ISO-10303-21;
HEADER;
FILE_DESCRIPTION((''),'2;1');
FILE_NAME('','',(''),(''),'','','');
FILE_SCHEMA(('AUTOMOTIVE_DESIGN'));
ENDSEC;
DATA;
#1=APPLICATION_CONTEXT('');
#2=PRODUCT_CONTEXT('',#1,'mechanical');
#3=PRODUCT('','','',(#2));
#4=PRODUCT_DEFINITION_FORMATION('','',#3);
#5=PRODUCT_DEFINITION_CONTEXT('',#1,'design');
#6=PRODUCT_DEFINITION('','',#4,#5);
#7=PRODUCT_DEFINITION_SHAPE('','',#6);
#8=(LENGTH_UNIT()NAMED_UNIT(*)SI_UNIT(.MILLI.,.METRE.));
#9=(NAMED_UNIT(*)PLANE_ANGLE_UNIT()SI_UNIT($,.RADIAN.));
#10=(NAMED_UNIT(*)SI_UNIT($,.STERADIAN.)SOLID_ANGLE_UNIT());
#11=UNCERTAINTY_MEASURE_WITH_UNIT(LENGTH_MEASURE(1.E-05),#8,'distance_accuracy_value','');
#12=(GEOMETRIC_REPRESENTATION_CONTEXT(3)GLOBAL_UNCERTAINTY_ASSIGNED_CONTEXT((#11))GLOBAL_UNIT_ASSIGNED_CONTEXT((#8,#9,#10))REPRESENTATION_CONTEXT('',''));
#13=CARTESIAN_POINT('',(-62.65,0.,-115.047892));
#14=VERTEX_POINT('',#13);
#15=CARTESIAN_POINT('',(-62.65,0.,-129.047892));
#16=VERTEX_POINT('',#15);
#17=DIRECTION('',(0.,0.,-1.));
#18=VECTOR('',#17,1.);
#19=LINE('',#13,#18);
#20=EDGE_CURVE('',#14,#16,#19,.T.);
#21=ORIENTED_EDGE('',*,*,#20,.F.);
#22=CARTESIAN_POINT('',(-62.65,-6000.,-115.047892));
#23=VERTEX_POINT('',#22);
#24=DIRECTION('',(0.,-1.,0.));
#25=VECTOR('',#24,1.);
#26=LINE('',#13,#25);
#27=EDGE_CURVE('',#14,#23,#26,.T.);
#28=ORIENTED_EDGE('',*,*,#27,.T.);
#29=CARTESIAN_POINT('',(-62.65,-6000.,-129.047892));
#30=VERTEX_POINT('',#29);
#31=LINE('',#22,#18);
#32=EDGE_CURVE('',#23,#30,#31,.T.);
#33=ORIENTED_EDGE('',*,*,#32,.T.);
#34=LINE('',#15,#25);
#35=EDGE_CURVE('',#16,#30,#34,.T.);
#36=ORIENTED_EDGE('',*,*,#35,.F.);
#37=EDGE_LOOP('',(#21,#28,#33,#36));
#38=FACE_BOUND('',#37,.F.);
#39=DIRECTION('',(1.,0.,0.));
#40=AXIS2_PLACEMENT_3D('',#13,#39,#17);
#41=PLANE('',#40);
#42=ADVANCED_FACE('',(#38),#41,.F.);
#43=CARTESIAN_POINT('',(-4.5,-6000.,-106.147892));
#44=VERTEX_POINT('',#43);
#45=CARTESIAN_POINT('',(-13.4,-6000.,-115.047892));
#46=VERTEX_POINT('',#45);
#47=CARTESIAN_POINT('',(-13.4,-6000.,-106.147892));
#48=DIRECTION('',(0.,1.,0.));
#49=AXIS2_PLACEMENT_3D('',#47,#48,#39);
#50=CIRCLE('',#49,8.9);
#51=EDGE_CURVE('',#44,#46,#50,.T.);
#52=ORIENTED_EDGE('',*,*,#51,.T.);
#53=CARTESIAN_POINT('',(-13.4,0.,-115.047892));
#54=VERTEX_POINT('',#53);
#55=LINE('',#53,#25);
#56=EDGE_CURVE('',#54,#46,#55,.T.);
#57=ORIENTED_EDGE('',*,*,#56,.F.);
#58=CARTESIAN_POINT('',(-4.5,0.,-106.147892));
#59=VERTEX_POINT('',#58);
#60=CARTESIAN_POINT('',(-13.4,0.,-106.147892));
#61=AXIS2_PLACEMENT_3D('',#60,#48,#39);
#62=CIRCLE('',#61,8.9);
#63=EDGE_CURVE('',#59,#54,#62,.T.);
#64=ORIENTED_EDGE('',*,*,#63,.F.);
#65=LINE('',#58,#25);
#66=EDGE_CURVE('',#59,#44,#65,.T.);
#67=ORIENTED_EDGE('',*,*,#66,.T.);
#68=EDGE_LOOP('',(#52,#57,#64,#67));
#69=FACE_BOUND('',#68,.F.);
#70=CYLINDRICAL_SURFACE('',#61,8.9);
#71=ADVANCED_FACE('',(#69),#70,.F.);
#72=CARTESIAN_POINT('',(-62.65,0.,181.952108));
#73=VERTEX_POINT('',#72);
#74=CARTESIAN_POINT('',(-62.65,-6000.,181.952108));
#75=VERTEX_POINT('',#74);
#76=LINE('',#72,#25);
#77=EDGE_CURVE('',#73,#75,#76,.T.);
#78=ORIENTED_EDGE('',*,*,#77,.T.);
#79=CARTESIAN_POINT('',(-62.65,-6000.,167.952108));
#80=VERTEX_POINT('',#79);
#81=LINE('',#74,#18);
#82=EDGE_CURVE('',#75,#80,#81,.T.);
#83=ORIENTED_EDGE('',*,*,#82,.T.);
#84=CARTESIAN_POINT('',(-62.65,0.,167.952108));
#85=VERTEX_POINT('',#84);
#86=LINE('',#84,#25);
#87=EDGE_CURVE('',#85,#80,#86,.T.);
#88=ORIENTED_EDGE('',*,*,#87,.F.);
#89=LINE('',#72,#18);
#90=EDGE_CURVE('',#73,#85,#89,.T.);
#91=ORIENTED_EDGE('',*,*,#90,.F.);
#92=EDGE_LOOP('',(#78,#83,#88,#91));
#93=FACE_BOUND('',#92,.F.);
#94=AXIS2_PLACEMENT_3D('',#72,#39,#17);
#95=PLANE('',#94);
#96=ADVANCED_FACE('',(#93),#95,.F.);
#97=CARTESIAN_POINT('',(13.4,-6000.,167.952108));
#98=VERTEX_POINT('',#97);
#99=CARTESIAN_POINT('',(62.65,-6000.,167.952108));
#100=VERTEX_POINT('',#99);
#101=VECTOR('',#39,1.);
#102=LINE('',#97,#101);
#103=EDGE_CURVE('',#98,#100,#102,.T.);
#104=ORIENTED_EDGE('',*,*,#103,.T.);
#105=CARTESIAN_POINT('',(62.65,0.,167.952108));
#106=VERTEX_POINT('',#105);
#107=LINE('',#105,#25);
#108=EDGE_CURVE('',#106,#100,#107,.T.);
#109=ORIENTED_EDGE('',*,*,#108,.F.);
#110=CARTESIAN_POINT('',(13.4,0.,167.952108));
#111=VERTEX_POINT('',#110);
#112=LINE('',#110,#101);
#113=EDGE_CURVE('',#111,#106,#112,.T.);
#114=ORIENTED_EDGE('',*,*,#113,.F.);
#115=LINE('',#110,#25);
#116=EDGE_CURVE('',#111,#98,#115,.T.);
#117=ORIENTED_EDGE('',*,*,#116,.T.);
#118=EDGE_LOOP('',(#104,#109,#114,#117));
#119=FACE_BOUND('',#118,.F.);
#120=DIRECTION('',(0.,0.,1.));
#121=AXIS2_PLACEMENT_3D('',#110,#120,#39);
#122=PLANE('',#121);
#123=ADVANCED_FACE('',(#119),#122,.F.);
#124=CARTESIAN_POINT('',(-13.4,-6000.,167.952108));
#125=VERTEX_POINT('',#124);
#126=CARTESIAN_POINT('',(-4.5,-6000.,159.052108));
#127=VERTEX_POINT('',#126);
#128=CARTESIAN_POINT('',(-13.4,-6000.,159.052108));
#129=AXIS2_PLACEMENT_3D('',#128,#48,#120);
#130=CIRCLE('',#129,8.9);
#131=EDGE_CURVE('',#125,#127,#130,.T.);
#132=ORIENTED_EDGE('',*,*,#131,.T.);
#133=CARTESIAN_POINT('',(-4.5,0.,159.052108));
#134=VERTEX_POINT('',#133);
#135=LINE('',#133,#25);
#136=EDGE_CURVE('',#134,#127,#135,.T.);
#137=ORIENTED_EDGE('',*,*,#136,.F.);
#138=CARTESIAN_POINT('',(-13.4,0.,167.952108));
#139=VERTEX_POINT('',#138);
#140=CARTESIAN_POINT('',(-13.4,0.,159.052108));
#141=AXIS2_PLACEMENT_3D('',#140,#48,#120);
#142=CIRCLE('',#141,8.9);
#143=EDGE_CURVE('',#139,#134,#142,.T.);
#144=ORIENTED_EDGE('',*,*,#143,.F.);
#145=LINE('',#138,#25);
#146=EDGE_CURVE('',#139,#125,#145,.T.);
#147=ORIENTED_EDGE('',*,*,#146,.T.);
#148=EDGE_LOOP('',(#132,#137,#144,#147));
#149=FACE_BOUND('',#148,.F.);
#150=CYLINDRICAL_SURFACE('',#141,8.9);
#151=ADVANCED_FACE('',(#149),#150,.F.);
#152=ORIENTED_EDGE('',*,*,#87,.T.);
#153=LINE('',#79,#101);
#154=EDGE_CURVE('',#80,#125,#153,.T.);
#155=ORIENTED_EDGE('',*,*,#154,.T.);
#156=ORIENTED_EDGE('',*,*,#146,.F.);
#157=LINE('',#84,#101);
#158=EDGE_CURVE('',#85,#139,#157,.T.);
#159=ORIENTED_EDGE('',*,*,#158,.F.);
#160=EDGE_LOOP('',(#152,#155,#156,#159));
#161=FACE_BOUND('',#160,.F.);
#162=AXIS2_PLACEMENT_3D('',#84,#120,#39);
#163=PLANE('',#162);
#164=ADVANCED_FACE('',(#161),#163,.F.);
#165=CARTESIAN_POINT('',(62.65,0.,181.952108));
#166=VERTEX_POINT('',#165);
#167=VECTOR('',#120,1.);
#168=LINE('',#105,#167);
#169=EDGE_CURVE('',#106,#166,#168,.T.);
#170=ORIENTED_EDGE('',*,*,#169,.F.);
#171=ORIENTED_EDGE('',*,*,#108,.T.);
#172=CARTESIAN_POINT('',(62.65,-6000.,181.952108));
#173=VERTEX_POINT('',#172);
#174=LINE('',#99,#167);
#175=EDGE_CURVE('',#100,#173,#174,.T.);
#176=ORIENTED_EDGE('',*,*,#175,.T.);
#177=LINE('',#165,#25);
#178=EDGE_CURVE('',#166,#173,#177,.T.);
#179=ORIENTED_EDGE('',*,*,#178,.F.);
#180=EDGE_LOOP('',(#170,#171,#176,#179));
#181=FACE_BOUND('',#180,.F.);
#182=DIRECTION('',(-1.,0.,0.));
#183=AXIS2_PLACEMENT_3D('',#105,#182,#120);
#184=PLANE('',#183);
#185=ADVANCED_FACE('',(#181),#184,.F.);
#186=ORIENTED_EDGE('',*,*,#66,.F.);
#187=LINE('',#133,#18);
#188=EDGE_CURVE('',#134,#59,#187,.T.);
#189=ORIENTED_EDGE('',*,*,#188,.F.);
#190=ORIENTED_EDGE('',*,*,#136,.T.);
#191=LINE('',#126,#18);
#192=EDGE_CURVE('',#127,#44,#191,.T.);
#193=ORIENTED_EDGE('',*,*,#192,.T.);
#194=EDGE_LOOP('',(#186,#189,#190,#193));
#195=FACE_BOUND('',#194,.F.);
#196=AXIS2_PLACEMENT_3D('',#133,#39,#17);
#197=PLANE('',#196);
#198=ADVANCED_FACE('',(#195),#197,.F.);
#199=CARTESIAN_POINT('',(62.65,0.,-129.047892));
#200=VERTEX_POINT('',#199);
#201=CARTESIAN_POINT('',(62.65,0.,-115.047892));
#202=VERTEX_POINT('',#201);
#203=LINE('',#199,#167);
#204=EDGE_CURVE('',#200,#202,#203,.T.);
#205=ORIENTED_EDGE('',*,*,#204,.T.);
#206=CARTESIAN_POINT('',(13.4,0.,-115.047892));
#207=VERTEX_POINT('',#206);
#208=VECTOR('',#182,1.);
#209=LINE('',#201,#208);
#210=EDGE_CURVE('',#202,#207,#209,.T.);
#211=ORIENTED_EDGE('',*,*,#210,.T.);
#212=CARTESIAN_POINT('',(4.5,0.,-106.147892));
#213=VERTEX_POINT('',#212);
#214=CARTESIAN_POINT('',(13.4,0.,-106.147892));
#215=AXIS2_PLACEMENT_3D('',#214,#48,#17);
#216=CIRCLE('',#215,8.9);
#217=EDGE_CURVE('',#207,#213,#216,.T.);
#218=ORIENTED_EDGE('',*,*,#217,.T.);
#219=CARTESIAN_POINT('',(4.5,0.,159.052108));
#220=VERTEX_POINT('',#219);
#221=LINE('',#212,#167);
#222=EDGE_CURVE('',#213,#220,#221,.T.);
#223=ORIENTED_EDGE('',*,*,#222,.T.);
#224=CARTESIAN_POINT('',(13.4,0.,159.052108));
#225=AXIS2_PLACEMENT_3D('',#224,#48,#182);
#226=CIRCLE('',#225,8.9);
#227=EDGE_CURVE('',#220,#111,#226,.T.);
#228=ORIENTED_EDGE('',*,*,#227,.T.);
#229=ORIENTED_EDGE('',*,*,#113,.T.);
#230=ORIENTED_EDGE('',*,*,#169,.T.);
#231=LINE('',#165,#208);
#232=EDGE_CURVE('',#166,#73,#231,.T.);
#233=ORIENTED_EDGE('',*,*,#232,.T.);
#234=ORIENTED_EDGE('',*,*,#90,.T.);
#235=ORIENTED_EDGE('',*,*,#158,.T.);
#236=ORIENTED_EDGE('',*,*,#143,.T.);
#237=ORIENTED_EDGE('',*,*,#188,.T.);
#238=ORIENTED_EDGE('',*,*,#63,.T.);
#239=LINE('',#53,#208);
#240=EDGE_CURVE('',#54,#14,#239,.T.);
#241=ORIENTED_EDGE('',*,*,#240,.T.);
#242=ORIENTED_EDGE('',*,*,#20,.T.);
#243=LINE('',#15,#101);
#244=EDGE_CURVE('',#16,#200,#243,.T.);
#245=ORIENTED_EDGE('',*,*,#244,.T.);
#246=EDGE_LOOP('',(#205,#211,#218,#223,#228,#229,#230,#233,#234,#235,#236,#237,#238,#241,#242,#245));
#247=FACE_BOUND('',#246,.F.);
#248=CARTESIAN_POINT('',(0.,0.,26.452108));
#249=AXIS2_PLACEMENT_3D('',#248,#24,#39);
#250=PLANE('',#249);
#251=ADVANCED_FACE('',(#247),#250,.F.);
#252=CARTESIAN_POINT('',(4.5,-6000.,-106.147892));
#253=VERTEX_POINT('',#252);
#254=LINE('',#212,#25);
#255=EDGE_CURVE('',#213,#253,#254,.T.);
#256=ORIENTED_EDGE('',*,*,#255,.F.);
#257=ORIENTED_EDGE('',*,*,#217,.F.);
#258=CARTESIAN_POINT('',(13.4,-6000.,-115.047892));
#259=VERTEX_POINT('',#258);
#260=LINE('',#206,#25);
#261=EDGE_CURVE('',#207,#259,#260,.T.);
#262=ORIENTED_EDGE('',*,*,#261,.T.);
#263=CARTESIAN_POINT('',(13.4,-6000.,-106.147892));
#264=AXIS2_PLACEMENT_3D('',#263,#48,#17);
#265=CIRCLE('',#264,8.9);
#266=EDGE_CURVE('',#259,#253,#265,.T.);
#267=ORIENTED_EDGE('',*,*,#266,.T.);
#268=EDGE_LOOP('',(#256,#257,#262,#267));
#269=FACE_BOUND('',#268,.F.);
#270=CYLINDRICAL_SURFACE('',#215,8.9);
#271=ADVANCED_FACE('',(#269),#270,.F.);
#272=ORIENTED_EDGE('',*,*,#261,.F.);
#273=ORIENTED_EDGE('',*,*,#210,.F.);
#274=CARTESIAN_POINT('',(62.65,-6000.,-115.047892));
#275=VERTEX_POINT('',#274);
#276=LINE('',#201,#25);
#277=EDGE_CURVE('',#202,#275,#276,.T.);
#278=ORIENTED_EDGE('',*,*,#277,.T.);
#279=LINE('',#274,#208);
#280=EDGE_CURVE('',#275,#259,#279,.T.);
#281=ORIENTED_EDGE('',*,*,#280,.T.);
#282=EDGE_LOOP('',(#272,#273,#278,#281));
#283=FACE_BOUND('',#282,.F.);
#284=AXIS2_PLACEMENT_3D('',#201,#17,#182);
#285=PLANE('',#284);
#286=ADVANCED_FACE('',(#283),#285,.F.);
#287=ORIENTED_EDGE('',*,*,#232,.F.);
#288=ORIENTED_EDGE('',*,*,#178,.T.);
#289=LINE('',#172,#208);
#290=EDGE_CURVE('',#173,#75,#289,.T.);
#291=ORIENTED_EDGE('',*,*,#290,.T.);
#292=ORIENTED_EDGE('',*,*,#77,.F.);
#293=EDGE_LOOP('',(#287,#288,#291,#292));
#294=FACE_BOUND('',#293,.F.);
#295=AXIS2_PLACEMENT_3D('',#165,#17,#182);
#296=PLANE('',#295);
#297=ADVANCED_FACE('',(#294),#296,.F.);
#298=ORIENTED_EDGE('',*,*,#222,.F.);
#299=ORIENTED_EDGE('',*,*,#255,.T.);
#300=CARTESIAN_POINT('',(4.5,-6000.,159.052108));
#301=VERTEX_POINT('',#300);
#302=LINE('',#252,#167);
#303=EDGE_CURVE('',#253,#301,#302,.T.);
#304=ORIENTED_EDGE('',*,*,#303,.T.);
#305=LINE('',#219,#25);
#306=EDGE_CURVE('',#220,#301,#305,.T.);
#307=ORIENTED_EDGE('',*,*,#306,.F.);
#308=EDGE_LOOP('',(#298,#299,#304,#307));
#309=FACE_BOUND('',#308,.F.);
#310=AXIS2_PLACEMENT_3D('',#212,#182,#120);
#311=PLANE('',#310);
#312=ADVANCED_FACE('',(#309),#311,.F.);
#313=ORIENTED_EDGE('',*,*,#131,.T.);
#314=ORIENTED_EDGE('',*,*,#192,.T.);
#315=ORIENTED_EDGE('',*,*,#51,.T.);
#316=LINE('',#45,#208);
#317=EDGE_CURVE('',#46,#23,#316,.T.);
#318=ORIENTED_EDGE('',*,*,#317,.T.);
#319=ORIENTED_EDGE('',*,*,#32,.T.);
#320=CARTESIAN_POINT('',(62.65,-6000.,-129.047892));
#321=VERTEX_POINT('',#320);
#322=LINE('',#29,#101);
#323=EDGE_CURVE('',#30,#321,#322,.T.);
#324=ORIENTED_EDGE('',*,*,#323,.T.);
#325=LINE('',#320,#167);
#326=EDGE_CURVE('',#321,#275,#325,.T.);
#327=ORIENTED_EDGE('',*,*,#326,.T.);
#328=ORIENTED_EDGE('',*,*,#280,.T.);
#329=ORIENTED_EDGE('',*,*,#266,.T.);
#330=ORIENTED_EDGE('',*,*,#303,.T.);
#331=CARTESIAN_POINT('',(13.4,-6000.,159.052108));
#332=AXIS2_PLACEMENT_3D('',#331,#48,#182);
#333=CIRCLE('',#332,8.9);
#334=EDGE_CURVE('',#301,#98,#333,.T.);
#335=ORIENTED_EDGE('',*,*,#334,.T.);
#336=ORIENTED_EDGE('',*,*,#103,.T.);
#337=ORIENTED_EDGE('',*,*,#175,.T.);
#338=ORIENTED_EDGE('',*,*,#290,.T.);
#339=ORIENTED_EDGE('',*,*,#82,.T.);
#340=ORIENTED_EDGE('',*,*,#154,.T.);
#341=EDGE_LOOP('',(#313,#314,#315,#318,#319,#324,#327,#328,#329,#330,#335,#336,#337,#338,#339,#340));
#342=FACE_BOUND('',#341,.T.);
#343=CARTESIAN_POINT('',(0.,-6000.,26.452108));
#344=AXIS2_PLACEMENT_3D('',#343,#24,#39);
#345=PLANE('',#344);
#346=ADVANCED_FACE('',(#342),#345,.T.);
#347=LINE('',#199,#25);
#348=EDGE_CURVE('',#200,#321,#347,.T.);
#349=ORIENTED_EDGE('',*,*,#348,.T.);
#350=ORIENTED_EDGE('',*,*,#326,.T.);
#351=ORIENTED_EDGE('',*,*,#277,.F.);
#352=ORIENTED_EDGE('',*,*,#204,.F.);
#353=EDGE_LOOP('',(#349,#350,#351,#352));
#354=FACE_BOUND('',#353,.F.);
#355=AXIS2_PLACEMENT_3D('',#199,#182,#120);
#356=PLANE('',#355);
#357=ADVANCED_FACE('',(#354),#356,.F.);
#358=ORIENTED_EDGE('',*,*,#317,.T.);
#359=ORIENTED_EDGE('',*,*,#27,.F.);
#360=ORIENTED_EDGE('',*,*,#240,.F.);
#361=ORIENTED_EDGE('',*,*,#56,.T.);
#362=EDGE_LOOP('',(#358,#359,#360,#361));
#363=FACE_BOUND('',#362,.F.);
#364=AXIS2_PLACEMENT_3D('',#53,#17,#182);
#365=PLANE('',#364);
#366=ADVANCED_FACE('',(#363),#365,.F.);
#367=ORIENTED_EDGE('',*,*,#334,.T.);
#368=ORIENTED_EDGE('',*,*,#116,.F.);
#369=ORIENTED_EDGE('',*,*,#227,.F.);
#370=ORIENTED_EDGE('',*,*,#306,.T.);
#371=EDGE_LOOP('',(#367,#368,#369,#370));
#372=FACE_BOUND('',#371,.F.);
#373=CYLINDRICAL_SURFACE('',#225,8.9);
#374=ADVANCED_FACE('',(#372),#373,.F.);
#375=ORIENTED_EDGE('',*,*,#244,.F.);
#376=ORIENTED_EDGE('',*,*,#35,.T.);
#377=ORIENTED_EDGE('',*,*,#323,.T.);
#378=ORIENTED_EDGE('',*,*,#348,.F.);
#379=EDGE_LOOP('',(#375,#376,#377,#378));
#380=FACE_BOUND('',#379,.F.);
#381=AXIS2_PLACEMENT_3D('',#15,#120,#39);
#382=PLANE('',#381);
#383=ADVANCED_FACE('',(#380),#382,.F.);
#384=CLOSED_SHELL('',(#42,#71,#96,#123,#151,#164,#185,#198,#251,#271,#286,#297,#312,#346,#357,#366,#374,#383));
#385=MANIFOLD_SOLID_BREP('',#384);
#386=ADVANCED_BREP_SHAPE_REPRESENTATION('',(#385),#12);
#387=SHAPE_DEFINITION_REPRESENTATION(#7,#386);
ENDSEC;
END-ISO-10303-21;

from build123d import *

# Parameters (mm, degrees)
F2_DEPTH = 6000


with BuildPart() as f2:
    # F0 (on Front) → F2 (new body)
    with BuildSketch(Plane.XZ):
        with BuildLine():
            Line((62.65, 181.9521076083), (0, 181.9521076083))
            Line((0, 181.9521076083), (-62.65, 181.9521076083))
            Line((-62.65, 181.9521076083), (-62.65, 167.9521076083))
            Line((-62.65, 167.9521076083), (-13.4, 167.9521076083))
            ThreePointArc((-13.4, 167.9521076083), (-7.1067496474, 165.3453579609), (-4.5, 159.0521076083))
            Line((-4.5, 159.0521076083), (-4.5, -106.1478923917))
            ThreePointArc((-4.5, -106.1478923917), (-7.1067496474, -112.4411427442), (-13.4, -115.0478923917))
            Line((-13.4, -115.0478923917), (-62.65, -115.0478923917))
            Line((-62.65, -115.0478923917), (-62.65, -129.0478923917))
            Line((-62.65, -129.0478923917), (0, -129.0478923917))
            Line((0, -129.0478923917), (62.65, -129.0478923917))
            Line((62.65, -129.0478923917), (62.65, -115.0478923917))
            Line((62.65, -115.0478923917), (13.4, -115.0478923917))
            ThreePointArc((13.4, -115.0478923917), (7.1067496474, -112.4411427442), (4.5, -106.1478923917))
            Line((4.5, -106.1478923917), (4.5, 159.0521076083))
            ThreePointArc((4.5, 159.0521076083), (7.1067496474, 165.3453579609), (13.4, 167.9521076083))
            Line((13.4, 167.9521076083), (62.65, 167.9521076083))
            Line((62.65, 167.9521076083), (62.65, 181.9521076083))
        make_face()
    extrude(amount=F2_DEPTH)


solid = f2.part
